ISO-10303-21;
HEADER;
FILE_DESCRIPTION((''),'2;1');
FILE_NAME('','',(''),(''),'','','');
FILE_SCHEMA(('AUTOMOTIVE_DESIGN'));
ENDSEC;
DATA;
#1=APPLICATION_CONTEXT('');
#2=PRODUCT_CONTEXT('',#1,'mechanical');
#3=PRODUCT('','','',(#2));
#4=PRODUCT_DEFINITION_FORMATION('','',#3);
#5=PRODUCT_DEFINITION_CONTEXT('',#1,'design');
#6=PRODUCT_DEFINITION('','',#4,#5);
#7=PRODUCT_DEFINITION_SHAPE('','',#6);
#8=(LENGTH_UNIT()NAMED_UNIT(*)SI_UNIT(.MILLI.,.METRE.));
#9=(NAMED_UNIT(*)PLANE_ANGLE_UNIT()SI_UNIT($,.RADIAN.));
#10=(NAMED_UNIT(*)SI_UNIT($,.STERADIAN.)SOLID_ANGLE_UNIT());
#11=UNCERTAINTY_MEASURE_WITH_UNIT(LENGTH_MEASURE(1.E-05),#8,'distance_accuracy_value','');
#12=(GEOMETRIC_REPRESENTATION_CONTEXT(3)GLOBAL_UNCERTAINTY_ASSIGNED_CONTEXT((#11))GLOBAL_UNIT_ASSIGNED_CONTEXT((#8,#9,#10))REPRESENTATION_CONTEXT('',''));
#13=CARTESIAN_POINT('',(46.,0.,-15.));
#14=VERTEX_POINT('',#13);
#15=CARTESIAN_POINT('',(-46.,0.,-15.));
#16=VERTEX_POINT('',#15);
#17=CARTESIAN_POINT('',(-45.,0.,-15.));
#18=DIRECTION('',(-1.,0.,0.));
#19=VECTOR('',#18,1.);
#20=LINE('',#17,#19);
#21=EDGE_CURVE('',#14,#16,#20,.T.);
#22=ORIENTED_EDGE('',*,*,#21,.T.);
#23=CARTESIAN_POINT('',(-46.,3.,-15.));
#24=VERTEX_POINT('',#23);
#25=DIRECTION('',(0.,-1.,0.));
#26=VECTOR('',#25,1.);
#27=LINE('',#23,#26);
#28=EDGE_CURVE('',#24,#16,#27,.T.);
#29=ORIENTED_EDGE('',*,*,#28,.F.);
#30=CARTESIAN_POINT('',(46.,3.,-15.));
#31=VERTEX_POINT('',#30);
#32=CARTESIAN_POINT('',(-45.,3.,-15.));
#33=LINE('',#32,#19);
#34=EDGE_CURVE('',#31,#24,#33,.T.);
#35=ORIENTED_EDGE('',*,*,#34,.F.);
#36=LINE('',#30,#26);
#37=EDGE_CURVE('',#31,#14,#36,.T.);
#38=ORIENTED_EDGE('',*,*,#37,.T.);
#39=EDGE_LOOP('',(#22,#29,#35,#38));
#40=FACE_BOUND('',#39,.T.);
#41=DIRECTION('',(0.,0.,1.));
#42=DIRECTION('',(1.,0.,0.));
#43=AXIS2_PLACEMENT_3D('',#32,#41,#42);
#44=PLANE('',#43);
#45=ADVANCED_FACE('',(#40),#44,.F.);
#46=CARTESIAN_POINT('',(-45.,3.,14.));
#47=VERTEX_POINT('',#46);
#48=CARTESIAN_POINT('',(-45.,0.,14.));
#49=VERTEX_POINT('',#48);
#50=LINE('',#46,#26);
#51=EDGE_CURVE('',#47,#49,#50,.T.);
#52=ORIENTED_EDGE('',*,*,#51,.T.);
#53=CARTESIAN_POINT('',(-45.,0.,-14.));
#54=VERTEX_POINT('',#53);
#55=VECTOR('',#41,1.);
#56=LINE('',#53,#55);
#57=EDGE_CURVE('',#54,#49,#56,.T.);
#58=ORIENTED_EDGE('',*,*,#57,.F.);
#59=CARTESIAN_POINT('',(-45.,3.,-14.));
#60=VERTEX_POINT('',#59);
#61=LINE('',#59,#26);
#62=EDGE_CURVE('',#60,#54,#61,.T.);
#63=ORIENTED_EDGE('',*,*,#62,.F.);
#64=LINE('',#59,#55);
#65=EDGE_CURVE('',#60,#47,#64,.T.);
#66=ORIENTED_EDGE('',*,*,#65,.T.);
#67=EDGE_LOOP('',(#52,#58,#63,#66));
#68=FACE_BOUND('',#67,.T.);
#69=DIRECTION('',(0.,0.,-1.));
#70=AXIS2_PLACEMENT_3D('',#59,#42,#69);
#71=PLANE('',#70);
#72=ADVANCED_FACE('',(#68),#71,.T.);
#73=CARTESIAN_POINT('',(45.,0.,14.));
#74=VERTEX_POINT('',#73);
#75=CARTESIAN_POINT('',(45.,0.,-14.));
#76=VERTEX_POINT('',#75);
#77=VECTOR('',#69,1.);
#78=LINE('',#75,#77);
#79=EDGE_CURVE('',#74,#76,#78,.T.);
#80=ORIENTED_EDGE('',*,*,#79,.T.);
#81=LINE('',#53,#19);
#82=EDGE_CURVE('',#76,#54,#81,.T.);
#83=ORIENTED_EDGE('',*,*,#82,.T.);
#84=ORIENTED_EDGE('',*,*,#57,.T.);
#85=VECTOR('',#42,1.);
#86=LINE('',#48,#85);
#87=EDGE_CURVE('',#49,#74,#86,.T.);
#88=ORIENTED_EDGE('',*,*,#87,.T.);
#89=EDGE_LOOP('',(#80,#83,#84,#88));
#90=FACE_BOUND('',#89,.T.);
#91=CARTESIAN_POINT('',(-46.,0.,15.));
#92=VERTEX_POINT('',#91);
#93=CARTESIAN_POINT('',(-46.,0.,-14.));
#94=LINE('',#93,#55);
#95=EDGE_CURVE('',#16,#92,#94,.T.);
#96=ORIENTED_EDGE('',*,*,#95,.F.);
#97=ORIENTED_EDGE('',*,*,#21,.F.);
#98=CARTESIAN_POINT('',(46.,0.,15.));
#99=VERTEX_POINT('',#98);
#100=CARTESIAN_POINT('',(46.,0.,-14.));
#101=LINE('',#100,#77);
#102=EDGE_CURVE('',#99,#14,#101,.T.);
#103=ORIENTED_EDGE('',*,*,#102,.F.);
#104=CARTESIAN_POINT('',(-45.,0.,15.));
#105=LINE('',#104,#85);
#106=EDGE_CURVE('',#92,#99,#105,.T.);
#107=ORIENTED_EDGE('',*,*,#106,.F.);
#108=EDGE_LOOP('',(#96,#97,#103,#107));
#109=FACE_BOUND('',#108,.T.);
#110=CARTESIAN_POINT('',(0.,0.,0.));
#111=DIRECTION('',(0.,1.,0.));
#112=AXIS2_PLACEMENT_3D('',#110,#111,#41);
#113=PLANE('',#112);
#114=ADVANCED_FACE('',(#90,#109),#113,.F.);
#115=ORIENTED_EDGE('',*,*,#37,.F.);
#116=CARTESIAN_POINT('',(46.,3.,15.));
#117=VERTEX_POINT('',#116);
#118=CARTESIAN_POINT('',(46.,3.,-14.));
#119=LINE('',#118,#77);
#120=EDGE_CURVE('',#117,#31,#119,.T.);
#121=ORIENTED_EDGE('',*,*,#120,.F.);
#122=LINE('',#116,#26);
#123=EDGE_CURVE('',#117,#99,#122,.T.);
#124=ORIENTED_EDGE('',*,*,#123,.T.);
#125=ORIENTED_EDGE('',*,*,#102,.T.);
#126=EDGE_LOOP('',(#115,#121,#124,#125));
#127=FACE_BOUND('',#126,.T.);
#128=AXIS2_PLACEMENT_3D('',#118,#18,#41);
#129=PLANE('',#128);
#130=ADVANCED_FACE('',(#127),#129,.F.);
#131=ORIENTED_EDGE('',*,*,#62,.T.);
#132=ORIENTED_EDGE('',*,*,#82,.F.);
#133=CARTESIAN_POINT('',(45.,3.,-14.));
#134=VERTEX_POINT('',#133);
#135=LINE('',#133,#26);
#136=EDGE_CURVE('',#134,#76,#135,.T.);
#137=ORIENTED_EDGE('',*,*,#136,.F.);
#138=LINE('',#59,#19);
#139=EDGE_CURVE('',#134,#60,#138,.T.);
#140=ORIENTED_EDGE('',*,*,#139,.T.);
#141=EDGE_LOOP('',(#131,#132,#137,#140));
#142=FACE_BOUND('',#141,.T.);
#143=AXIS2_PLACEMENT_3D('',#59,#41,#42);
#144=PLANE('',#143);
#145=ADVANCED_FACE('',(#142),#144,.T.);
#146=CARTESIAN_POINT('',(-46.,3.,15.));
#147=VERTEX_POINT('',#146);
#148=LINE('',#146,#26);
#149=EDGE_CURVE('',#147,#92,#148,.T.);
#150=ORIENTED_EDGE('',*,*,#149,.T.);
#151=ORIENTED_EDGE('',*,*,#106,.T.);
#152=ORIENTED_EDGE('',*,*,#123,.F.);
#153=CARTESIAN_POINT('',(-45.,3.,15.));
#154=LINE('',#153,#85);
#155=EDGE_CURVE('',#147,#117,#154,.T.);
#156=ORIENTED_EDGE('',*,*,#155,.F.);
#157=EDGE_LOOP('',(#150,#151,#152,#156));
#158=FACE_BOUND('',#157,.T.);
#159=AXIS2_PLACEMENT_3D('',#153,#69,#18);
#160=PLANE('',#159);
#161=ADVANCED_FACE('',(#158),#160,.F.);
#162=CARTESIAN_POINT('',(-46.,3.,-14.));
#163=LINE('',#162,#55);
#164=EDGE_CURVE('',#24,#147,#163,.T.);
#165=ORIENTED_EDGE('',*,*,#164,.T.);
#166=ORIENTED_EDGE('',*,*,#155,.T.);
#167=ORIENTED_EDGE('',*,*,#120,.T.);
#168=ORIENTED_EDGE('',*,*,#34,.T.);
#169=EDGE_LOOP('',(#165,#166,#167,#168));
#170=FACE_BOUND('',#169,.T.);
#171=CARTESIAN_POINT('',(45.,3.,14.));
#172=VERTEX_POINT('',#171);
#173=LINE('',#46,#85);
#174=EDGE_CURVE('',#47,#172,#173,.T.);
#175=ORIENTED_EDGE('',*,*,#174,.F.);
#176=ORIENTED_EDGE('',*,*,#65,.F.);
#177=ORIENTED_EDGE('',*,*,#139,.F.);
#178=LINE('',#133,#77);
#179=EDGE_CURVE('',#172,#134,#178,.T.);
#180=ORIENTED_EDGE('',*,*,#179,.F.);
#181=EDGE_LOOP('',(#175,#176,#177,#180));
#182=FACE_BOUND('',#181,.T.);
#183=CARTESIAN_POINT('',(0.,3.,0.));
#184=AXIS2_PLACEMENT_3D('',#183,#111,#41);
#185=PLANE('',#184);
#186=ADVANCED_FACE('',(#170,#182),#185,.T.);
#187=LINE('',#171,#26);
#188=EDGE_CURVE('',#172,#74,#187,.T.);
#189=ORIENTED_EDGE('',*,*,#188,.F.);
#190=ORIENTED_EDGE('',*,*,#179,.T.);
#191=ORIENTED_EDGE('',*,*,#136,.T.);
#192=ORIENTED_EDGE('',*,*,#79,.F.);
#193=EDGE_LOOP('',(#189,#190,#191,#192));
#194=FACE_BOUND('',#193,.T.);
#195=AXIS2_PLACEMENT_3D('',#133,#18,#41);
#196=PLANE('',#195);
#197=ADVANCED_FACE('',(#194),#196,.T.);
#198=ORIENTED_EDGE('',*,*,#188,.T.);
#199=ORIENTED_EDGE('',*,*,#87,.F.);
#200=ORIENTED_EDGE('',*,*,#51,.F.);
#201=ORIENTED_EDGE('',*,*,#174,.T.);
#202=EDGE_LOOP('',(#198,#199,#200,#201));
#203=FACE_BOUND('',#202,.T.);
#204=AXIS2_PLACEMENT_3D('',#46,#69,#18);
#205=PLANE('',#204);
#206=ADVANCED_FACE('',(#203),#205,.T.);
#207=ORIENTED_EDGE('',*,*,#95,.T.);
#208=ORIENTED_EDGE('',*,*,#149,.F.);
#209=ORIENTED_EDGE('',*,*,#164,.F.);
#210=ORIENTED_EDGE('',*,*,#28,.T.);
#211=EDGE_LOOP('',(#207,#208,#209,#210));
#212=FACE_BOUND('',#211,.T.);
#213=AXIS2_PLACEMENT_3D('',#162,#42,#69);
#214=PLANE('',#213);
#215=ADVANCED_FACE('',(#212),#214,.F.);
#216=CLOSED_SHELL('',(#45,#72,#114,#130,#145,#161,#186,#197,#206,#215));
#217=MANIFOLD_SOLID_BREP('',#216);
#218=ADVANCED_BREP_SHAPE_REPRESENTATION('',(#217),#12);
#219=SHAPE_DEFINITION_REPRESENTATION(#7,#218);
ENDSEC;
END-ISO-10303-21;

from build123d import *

# Parameters (mm, degrees)
SKETCH1_W           = 92
SKETCH1_H           = 30
SKETCH1_W_2         = 90
SKETCH1_H_2         = 28
EXTRUDE_THIN1_DEPTH = 3


with BuildPart() as part:
    # Sketch1 → Extrude-Thin1 (new body)
    with BuildSketch(Plane(origin=(0, 0, 0), x_dir=(1, 0, 0), z_dir=(0, 1, 0))):
        Rectangle(SKETCH1_W, SKETCH1_H)
        Rectangle(SKETCH1_W_2, SKETCH1_H_2, mode=Mode.SUBTRACT)
    extrude(amount=EXTRUDE_THIN1_DEPTH)


solid = part.part
